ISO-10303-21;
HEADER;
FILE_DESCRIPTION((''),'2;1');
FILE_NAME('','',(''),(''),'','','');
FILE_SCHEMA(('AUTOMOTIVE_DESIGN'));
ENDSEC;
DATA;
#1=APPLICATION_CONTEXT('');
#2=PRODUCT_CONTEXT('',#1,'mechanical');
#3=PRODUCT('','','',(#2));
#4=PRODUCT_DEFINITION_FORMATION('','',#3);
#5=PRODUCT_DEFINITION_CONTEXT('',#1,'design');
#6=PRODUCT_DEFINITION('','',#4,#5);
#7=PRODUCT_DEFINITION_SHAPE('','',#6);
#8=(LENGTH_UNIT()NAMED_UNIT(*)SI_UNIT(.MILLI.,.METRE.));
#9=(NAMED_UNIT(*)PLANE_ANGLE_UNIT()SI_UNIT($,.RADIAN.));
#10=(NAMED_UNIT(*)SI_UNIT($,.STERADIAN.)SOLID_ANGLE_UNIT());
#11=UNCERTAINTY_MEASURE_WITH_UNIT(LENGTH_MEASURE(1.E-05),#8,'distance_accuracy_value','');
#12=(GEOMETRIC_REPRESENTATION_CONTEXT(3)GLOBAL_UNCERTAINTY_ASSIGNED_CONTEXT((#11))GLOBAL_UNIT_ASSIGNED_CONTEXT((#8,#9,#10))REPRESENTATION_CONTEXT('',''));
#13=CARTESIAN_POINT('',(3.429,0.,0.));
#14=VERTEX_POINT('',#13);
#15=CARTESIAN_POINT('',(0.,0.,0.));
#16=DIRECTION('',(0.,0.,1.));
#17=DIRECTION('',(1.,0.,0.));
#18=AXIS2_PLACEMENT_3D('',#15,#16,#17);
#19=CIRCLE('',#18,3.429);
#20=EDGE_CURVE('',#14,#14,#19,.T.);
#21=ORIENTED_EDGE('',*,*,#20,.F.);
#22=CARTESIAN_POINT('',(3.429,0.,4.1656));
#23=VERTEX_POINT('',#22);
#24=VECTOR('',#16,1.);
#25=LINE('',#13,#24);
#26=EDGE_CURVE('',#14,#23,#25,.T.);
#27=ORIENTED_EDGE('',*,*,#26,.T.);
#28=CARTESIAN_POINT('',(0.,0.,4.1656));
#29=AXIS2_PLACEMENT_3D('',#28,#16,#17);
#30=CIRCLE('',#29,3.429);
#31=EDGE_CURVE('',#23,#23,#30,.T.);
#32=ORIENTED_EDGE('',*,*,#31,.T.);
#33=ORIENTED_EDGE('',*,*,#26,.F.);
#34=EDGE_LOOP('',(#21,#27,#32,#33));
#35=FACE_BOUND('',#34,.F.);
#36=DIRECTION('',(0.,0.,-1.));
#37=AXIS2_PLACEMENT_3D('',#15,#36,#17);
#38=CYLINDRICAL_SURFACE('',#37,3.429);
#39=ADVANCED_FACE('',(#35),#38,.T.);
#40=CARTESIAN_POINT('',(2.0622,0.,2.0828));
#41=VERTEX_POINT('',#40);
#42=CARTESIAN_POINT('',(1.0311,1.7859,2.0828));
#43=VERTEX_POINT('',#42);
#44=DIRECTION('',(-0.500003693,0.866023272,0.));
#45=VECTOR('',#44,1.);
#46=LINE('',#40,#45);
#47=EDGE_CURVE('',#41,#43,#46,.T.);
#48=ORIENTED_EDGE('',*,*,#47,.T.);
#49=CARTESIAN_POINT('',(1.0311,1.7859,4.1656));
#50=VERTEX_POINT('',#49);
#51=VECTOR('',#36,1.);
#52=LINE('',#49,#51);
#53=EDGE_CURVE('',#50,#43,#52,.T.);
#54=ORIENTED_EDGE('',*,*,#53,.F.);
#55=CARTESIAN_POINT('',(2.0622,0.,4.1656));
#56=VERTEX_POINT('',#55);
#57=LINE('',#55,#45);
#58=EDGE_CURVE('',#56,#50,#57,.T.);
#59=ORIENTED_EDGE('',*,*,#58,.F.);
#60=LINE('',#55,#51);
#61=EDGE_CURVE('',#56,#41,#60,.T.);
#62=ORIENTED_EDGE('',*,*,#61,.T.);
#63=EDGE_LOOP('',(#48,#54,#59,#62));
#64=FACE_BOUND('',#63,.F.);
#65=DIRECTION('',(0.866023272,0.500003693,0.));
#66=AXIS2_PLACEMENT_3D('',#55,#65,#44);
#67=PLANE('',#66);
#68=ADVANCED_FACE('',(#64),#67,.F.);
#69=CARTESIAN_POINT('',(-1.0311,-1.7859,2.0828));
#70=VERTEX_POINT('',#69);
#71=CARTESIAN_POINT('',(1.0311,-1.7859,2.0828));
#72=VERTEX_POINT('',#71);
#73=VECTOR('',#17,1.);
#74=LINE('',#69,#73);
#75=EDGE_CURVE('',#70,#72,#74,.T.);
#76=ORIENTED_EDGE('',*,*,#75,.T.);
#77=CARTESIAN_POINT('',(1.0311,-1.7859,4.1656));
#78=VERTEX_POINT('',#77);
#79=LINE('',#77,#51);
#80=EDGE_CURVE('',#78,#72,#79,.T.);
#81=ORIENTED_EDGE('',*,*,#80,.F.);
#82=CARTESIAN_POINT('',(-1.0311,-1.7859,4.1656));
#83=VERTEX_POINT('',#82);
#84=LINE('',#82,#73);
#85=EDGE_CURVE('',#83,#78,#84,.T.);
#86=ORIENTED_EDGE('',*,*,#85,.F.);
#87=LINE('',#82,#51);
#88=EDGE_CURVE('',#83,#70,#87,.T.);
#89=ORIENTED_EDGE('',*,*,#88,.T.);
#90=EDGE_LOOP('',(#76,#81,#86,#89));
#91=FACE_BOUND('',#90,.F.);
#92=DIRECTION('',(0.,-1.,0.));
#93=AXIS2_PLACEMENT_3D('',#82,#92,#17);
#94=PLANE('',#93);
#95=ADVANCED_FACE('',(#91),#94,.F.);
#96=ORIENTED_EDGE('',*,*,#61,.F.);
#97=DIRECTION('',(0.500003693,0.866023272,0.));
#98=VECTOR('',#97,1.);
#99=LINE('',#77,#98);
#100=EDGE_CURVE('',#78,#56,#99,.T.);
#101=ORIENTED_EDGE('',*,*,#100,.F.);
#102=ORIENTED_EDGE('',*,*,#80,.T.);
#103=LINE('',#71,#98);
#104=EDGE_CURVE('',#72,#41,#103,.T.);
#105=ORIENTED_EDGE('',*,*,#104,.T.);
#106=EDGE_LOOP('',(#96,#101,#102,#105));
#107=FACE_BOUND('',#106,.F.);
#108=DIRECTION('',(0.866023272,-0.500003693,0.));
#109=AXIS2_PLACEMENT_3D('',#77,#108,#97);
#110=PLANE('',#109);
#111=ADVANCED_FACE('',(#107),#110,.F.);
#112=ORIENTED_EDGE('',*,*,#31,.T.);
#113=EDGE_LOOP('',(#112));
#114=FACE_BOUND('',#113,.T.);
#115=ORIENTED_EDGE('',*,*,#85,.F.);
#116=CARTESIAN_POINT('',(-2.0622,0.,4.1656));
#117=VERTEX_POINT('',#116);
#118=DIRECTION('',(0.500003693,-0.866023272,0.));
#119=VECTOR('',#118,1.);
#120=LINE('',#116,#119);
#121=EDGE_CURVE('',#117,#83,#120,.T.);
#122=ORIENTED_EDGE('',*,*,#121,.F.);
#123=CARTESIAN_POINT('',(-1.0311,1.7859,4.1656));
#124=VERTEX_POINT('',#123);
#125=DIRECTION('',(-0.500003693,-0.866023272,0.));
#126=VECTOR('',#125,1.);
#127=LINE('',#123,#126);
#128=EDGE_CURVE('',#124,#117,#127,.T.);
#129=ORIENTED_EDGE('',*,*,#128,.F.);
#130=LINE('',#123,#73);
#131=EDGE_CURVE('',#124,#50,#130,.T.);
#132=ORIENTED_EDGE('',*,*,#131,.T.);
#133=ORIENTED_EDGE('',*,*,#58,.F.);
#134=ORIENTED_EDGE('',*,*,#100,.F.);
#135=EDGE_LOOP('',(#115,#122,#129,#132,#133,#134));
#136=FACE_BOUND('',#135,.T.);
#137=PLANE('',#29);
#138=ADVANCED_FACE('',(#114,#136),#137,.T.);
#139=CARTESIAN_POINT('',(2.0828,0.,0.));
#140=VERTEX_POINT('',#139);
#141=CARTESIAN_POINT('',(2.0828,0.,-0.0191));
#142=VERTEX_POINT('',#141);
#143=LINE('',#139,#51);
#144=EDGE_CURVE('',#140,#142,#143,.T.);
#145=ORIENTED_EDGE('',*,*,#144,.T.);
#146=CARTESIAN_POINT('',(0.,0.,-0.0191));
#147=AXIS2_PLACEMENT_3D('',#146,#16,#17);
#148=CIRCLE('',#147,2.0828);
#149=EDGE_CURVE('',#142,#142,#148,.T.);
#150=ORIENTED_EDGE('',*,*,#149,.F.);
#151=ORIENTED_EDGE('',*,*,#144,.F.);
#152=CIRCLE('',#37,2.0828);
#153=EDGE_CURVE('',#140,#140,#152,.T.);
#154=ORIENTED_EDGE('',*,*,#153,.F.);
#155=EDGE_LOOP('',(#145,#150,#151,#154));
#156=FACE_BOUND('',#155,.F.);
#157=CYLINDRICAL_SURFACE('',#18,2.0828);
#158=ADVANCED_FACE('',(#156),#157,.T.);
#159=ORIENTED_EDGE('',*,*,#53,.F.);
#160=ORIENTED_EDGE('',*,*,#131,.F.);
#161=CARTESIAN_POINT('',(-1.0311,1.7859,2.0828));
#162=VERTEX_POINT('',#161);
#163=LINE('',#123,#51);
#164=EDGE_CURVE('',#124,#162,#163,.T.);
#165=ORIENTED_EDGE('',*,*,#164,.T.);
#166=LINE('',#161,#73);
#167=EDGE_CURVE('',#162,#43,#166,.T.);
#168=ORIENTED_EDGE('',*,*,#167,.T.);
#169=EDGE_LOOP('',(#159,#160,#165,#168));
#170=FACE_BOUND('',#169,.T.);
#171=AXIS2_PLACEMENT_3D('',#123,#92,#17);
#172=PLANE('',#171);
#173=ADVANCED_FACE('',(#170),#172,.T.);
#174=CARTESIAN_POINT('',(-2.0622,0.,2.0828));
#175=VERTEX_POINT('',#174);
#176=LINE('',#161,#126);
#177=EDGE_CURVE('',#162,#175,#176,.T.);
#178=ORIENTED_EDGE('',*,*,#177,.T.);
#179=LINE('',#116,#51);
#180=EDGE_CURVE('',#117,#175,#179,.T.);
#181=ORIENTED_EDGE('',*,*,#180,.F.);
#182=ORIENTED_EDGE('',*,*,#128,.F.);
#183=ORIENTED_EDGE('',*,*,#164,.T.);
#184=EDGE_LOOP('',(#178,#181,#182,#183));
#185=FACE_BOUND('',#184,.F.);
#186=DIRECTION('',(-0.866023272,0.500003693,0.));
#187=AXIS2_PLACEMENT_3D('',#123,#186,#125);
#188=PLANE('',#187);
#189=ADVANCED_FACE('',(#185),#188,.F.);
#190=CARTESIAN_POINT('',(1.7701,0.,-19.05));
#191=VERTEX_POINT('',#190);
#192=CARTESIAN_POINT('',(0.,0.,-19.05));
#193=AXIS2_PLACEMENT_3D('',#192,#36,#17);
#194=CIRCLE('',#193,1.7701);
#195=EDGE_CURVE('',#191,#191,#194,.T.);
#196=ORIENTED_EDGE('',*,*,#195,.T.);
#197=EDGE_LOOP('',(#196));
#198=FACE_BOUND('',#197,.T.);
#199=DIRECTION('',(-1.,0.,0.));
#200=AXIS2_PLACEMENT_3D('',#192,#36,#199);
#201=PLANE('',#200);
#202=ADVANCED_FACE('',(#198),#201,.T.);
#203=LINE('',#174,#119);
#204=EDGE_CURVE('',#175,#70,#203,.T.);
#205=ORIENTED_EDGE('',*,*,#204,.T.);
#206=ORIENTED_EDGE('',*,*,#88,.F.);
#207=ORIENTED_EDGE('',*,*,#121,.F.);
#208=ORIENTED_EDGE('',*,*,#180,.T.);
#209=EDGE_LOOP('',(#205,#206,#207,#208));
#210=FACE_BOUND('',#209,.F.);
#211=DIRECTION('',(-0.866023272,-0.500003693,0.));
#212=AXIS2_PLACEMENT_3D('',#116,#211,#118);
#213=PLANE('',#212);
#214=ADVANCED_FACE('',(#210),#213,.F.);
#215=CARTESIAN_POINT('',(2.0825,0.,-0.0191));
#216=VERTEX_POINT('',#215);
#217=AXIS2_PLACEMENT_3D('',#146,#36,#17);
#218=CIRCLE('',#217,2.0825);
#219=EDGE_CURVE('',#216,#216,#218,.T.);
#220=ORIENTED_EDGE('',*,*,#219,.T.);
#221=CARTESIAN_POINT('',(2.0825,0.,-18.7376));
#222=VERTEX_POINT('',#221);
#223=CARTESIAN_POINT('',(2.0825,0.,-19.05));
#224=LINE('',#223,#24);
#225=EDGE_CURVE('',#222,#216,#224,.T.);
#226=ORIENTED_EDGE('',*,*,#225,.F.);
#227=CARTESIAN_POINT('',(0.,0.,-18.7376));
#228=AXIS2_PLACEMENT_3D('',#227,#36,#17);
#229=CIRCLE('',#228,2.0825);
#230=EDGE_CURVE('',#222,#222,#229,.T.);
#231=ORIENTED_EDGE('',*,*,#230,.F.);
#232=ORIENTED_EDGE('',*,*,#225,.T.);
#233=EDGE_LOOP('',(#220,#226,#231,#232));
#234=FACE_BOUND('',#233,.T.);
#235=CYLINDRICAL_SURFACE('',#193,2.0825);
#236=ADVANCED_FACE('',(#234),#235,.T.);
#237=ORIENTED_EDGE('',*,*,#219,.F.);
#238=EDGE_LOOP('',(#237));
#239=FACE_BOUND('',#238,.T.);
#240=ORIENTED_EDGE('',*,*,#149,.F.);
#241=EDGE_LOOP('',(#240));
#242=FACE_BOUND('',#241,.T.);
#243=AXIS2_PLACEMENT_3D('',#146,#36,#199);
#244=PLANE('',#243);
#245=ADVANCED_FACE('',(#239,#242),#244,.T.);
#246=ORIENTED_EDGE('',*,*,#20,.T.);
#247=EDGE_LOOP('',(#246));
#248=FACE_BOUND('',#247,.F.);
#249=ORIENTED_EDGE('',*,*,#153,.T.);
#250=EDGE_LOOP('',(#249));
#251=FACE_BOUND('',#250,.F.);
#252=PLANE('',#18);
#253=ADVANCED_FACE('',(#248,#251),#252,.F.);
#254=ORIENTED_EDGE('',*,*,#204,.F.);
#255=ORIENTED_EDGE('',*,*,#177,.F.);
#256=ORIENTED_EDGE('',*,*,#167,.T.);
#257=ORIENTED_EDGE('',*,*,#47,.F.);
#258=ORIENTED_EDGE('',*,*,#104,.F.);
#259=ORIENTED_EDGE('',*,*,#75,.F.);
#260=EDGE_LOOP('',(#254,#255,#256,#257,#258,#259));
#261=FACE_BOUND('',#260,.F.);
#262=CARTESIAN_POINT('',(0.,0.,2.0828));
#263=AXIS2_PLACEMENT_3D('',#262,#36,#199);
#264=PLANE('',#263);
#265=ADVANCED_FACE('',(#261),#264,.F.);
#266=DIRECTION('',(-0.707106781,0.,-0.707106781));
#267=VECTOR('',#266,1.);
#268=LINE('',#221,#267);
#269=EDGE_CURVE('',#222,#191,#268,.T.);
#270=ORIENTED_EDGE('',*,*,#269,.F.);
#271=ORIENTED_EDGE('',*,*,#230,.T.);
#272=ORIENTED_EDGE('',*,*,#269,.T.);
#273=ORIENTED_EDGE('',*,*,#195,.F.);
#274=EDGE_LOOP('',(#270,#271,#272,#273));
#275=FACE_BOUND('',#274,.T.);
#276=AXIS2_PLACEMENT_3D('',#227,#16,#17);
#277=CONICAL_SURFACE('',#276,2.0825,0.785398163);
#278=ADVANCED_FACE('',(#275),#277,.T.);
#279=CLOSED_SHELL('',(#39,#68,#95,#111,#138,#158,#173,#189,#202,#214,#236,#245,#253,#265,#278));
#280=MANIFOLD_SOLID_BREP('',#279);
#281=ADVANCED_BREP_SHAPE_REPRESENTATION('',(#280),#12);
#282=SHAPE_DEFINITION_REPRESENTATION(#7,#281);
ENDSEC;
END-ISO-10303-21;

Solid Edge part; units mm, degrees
sketch "Sketch1" plane through (0, 0, 0) normal (0, 0, 1) x (1, 0, 0)
  circle A0 centre (0, 0) radius 3.429
  dimension "D1" = 6.858
extrude "Protrusion1" add sketch "Sketch1" along normal blind 4.1656
sketch "Sketch2" plane through (0, 0, 0) normal (0, 0, -1) x (1, 0, 0)
  circle A0 centre (0, 0) radius 2.0828
extrude "Protrusion2" add sketch "Sketch2" along normal blind 19.05
sketch "Sketch3" plane through (0, 0, -19.05) normal (0, 0, -1) x (1, 0, 0)
  circle A0 centre (0, 0) radius 2.0825
extrude "Cutout1" cut sketch "Sketch3" against normal blind 19.0309 flip side to cut
chamfer "Chamfer_1" distance 0.3124 angle 45 1 edges at (-2.0825, 0, -19.05)
sketch "Sketch4" plane through (0, 0, 4.1656) normal (0, 0, 1) x (1, 0, 0)
  line L0 (-1.0311, 1.7859) -> (1.0311, 1.7859)
  line L1 (2.0622, 0) -> (1.0311, 1.7859)
  line L2 (1.0311, -1.7859) -> (2.0622, 0)
  line L3 (-1.0311, -1.7859) -> (1.0311, -1.7859)
  line L4 (-2.0622, 0) -> (-1.0311, -1.7859)
  line L5 (-1.0311, 1.7859) -> (-2.0622, 0)
  dimension "D1" = 3.5719
extrude "Cutout2" cut sketch "Sketch4" against normal blind 2.0828
properties part number "146380"
